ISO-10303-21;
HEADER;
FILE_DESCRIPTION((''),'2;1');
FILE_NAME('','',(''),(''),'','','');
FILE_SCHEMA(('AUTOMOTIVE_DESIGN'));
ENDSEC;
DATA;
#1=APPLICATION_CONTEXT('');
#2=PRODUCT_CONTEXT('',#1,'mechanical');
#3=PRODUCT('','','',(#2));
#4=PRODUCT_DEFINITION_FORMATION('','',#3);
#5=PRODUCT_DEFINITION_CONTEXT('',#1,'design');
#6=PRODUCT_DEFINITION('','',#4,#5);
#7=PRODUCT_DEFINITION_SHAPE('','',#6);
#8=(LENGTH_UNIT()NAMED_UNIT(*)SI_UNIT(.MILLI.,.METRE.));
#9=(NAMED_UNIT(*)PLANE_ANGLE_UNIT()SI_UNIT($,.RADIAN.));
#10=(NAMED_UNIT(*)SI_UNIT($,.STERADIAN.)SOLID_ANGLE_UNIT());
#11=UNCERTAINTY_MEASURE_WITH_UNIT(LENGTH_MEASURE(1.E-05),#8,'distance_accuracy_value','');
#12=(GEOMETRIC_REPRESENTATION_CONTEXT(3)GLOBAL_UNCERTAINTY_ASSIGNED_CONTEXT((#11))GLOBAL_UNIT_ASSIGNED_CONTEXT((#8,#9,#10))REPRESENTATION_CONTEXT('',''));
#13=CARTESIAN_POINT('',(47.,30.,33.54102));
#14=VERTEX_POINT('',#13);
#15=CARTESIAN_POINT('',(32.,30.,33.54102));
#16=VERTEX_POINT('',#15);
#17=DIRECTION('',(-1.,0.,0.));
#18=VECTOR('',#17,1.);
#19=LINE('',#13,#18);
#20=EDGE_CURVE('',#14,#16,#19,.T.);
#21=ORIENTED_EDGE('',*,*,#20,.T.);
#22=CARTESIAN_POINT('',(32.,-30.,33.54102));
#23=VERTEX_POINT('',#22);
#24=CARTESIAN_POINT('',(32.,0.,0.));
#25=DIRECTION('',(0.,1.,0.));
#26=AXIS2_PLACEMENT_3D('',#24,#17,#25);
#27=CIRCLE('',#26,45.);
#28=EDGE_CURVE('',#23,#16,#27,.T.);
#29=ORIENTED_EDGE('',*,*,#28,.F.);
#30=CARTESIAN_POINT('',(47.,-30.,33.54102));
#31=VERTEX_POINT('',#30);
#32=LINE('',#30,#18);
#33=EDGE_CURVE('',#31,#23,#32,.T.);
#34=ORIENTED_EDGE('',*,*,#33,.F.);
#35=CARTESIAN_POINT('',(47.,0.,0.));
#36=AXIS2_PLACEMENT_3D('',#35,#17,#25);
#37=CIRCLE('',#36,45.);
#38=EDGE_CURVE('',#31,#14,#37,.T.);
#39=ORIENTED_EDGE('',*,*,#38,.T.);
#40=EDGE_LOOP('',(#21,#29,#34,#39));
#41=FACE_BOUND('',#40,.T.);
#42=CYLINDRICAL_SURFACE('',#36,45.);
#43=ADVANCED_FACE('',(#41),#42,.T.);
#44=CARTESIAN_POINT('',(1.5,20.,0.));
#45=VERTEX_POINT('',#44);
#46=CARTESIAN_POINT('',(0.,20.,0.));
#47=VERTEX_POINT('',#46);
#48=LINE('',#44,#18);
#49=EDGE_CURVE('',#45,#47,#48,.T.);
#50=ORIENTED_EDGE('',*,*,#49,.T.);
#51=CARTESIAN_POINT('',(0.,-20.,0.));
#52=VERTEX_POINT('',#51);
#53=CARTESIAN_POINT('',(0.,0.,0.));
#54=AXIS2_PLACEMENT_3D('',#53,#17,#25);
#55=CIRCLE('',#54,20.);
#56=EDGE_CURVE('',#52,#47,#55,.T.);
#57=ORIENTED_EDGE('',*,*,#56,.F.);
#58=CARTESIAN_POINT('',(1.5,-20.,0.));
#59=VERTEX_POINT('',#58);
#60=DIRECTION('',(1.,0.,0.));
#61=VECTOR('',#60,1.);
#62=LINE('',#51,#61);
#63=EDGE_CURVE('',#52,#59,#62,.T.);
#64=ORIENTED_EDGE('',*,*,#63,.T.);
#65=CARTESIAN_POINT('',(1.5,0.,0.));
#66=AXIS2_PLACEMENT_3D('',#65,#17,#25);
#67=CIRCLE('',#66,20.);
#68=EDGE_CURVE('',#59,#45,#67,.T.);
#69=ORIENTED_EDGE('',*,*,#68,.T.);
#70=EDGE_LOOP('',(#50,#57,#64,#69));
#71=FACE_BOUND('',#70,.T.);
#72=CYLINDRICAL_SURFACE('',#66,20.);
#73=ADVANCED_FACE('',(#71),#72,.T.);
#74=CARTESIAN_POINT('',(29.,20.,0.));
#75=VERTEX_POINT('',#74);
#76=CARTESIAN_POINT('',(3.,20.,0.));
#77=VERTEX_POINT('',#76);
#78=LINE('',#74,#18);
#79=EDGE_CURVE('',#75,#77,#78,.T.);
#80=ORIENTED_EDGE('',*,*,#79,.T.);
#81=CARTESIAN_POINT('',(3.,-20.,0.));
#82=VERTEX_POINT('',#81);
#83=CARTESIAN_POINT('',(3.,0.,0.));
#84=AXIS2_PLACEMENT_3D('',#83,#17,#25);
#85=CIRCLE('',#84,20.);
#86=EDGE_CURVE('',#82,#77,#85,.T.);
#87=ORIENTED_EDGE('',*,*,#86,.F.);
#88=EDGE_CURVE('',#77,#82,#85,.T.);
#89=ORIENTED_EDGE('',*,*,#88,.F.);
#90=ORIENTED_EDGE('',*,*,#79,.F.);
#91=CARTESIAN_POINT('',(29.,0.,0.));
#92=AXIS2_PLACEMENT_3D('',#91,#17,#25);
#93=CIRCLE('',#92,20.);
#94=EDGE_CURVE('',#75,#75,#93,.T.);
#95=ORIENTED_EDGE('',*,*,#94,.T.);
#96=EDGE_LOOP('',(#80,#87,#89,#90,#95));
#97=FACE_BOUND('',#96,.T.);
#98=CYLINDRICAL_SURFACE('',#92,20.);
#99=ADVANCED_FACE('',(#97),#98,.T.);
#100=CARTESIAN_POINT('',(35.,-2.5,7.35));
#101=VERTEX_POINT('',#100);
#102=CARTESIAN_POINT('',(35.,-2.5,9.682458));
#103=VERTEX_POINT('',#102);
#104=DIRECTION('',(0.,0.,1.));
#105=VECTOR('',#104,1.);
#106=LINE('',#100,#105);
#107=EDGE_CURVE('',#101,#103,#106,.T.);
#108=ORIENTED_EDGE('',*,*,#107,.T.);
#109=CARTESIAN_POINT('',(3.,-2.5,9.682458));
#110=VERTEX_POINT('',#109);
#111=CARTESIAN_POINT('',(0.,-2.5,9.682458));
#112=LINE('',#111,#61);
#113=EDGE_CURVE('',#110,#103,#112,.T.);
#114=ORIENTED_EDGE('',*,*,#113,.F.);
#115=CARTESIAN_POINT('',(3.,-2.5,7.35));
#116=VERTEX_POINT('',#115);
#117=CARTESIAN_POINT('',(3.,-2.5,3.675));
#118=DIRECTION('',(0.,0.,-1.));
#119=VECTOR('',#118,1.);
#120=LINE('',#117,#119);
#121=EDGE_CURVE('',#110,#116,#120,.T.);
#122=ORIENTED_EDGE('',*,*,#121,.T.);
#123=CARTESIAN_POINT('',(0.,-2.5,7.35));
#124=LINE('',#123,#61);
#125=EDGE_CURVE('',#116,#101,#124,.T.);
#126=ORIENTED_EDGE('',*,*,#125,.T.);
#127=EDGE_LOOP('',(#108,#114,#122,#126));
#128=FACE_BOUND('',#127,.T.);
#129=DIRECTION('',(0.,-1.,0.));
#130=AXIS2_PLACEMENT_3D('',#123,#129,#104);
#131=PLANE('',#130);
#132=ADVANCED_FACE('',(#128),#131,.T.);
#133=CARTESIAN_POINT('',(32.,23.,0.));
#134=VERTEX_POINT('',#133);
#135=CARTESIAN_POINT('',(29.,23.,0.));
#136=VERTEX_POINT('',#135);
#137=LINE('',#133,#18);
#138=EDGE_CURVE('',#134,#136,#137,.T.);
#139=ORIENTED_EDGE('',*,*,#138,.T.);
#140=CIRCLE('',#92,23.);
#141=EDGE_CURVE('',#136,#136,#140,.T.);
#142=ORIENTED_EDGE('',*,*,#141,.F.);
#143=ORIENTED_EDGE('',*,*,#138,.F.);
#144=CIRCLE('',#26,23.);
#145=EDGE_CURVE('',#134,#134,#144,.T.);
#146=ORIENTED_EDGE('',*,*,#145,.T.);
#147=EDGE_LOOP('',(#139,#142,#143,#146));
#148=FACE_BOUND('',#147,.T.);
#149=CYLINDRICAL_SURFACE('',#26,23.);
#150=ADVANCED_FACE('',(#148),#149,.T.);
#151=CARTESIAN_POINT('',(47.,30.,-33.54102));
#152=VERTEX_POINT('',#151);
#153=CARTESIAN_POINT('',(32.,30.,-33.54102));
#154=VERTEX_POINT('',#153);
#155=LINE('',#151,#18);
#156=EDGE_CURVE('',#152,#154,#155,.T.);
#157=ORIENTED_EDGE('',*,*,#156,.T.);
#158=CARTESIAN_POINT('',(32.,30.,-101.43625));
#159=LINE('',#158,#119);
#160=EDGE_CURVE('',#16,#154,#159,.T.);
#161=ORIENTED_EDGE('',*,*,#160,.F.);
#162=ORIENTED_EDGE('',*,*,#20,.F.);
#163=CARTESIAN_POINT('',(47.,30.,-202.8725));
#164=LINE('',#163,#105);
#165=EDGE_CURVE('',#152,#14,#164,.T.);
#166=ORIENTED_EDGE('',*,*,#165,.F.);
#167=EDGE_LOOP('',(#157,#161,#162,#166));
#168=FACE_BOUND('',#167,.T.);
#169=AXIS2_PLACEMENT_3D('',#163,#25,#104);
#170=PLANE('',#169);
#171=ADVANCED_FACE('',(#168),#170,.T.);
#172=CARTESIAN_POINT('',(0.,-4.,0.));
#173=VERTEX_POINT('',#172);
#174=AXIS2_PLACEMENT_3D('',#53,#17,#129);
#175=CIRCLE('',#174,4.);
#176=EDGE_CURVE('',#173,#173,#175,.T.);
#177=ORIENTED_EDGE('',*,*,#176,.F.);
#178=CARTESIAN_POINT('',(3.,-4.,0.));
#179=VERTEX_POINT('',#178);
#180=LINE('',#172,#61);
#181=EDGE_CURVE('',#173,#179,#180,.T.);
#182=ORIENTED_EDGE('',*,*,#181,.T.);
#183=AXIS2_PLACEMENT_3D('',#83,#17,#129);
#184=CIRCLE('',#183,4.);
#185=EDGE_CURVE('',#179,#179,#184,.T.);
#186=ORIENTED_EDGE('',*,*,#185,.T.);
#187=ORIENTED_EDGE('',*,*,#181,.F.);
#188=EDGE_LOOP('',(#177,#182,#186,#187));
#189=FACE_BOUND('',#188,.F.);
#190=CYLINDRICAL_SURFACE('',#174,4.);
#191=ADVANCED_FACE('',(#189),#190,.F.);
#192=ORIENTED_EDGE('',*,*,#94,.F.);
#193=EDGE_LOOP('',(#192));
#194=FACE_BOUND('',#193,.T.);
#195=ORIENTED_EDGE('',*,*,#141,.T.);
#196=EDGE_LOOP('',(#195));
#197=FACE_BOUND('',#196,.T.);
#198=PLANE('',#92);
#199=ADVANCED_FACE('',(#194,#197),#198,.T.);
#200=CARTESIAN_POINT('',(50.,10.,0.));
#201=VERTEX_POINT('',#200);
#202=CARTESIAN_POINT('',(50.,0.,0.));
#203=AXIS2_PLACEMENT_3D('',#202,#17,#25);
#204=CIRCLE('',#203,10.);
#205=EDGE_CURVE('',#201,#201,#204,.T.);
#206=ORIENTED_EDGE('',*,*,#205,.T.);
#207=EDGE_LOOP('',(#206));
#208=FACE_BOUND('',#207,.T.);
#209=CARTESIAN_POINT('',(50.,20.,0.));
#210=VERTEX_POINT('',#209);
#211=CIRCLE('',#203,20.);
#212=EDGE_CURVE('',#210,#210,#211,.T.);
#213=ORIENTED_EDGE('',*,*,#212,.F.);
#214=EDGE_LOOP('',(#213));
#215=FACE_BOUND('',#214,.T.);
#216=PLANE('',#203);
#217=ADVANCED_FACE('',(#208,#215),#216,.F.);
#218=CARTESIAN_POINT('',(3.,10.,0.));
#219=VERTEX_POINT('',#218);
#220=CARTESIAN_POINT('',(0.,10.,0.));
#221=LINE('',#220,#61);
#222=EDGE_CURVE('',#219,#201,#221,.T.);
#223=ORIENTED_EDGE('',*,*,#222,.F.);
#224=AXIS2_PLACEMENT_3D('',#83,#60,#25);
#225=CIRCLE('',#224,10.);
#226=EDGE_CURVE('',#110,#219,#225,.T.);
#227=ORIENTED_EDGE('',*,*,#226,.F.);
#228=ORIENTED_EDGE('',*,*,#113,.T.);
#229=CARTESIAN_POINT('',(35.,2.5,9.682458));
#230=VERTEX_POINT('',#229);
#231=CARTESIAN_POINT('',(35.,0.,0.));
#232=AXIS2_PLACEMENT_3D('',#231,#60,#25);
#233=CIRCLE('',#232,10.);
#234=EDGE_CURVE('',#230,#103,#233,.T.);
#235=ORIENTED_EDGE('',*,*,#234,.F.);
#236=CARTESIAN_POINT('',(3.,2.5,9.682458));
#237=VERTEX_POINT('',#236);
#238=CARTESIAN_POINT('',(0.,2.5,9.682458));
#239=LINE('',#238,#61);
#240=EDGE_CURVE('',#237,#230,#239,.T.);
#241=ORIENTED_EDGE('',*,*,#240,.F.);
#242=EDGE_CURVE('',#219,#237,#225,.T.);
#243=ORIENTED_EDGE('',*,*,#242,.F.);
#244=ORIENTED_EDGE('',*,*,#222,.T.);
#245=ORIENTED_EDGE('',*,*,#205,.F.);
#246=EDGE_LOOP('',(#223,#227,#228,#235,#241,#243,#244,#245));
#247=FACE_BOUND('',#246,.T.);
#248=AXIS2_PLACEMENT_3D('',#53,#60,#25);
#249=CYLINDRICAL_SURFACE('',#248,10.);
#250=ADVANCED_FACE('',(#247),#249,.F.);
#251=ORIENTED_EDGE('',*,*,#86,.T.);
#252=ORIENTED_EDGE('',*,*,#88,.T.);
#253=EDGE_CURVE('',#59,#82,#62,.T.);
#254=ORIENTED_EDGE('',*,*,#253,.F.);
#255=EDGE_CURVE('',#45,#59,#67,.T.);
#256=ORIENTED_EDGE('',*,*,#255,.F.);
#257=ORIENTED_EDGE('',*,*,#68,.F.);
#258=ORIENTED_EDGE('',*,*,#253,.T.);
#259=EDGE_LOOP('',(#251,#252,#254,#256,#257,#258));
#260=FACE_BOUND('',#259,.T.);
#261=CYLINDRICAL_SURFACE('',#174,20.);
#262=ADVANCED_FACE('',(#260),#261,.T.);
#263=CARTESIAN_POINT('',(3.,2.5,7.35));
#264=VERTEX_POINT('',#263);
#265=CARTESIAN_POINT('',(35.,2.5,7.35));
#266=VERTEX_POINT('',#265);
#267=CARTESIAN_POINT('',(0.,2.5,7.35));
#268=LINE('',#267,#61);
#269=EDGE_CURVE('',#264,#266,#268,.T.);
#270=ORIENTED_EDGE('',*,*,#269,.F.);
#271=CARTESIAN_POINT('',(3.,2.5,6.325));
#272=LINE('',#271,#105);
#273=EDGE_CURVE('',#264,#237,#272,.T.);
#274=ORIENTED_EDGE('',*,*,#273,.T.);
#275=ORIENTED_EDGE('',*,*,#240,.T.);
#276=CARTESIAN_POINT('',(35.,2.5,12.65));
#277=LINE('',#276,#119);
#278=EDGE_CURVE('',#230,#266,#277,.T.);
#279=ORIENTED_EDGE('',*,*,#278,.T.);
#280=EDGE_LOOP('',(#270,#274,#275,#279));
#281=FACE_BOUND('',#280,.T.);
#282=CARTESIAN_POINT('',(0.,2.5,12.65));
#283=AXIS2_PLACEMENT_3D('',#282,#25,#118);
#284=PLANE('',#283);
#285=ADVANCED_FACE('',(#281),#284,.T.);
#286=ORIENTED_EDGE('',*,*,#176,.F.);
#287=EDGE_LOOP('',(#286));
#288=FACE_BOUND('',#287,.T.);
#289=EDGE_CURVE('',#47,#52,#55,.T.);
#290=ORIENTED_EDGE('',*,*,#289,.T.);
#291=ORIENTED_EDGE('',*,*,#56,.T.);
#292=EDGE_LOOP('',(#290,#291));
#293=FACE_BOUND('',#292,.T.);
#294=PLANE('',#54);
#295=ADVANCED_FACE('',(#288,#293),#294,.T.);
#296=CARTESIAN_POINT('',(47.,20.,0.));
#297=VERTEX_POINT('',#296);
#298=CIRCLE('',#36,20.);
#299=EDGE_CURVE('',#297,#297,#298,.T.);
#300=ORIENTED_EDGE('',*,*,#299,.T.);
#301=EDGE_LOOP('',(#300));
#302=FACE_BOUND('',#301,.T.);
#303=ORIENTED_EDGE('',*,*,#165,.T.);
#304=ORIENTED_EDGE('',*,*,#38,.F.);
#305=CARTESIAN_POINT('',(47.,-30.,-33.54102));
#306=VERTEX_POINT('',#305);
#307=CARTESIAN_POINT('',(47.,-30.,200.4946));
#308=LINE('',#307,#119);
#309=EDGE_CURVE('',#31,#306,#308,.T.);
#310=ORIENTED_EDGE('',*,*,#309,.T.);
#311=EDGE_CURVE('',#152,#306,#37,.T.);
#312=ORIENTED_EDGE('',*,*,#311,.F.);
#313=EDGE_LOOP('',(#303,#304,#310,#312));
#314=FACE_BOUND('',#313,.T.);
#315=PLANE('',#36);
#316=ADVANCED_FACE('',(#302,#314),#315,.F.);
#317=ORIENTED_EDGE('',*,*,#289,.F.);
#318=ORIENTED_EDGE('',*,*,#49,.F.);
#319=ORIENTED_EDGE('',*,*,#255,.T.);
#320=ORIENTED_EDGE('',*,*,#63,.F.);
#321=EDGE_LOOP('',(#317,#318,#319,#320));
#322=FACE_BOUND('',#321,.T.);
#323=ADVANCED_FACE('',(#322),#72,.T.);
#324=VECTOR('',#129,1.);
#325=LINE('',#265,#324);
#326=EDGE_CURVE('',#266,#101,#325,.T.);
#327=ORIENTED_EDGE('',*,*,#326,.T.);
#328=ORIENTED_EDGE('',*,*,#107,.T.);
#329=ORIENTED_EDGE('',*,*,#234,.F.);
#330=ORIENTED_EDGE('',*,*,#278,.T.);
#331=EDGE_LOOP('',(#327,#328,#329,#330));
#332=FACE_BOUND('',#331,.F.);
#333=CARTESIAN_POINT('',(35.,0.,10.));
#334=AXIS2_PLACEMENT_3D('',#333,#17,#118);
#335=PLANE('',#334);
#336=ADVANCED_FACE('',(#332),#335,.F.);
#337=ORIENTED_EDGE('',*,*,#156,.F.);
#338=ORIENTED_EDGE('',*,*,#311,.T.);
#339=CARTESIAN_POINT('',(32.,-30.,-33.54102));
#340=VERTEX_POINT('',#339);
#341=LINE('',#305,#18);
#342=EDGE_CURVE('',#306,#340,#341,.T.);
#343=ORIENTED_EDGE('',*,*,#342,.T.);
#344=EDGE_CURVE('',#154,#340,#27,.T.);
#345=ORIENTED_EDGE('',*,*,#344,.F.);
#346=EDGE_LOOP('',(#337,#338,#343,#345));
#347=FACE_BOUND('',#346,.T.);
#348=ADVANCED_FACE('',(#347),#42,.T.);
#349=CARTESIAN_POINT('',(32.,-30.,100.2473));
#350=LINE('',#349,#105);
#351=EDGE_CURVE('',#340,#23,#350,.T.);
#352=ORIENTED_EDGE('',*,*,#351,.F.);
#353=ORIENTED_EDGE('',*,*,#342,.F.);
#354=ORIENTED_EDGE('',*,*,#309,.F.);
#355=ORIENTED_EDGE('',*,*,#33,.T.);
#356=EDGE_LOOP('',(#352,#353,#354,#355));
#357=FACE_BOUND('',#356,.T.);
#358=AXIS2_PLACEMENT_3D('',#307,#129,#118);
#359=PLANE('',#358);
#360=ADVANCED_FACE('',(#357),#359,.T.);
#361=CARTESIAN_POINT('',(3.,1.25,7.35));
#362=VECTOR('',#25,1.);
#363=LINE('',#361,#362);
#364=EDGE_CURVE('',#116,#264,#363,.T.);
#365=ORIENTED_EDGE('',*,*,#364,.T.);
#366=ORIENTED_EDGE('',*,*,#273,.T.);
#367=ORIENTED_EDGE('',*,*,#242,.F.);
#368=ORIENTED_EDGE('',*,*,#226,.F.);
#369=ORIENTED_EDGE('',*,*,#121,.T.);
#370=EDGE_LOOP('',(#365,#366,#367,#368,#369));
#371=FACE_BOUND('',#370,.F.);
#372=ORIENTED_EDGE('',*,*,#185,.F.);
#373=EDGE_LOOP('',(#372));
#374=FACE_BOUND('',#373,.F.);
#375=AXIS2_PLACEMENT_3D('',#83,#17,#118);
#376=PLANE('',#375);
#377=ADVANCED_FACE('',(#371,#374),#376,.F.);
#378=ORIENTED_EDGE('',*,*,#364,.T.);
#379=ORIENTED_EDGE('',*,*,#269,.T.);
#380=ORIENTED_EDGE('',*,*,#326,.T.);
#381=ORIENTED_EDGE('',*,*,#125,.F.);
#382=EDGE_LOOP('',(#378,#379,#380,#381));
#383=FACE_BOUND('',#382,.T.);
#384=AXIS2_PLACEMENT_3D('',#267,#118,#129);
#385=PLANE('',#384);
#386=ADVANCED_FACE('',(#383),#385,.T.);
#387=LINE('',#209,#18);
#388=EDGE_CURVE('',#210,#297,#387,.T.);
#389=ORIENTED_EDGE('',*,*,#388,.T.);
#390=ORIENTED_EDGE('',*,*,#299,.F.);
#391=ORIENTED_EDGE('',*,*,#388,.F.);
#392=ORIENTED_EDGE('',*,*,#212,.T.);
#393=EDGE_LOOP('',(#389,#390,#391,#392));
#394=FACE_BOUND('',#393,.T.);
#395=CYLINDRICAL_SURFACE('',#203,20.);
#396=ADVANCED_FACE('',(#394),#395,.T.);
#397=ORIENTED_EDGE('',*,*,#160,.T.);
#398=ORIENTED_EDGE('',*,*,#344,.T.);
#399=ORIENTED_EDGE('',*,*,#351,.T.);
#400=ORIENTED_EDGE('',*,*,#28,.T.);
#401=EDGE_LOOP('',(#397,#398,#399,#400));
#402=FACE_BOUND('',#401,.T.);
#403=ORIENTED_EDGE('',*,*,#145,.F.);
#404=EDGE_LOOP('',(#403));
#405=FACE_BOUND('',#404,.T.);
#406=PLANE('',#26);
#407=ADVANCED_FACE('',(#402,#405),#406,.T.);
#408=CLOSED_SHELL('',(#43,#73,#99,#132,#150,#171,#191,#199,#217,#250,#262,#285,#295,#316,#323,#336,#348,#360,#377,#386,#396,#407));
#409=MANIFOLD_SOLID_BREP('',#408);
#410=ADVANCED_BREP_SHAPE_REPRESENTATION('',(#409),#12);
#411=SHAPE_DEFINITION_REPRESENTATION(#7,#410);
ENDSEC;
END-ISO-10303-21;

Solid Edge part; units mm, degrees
sketch "Sketch1" plane through (0, 0, 0) normal (0, 0, 1) x (1, 0, 0)
  line L0 (0, 10) -> (50, 10)
  line L1 (50, 10) -> (50, 20)
  line L2 (50, 20) -> (47, 20)
  line L3 (47, 20) -> (47, 45)
  line L4 (47, 45) -> (32, 45)
  line L5 (32, 45) -> (32, 23)
  line L6 (32, 23) -> (29, 23)
  line L7 (29, 23) -> (29, 20)
  line L8 (29, 20) -> (3, 20)
  line L9 (3, 20) -> (3, 18)
  line L10 (3, 18) -> (1.5, 18)
  line L11 (1.5, 18) -> (1.5, 20)
  line L12 (1.5, 20) -> (0, 20)
  line L13 (0, 20) -> (0, 10)
  dimension "D1" = 50
  dimension "D2" = 10
  dimension "D3" = 25
  dimension "D4" = 15
  dimension "D5" = 22
  dimension "D6" = 26
  dimension "D7" = 1.5
  dimension "D8" = 10
  dimension "D9" = 3
  dimension "D10" = 3
  dimension "D11" = 1.5
  dimension "D12" = 2
  dimension "D13" = 10
revolve "RevolvedProtrusion1" add sketch "Sketch1" angle 360 about axis through (57, 0, 0) along (-1, 0, 0)
sketch "Sketch2" plane through (47, 0, 0) normal (1, 0, 0) x (0, 1, 0)
  line L0 (179.2581, -202.8725) -> (30, -202.8725)
  line L1 (30, -202.8725) -> (30, 202.8725)
  line L2 (30, 202.8725) -> (179.2581, 202.8725)
  line L3 (179.2581, 202.8725) -> (179.2581, -202.8725)
  line L4 (-30, -200.4946) -> (-139.3849, -200.4946)
  line L5 (-139.3849, -200.4946) -> (-139.3849, 200.4946)
  line L6 (-139.3849, 200.4946) -> (-30, 200.4946)
  line L7 (-30, 200.4946) -> (-30, -200.4946)
extrude "Cutout1" cut sketch "Sketch2" against normal blind 2932.3571
sketch "Sketch3" plane through (0, 0, 0) normal (-1, 0, 0) x (0, -1, 0)
  line L0 (-2.5, 7.35) -> (2.5, 7.35)
  line L1 (2.5, 7.35) -> (2.5, 12.65)
  line L2 (2.5, 12.65) -> (-2.5, 12.65)
  line L3 (-2.5, 12.65) -> (-2.5, 7.35)
extrude "ExtrudedProtrusion_2" add sketch "Sketch3" against normal blind 35
sketch "Sketch4" plane through (0, 0, 0) normal (-1, 0, 0) x (0, -1, 0)
  circle A0 centre (0, 0) radius 20
extrude "ExtrudedProtrusion_3" add sketch "Sketch4" against normal blind 3
sketch "Sketch5" plane through (0, 0, 0) normal (-1, 0, 0) x (0, -1, 0)
  circle A0 centre (0, 0) radius 4
extrude "ExtrudedCutout_2" cut sketch "Sketch5" along normal mid plane 90.6479
properties material "Aluminum, 6061-T6"
